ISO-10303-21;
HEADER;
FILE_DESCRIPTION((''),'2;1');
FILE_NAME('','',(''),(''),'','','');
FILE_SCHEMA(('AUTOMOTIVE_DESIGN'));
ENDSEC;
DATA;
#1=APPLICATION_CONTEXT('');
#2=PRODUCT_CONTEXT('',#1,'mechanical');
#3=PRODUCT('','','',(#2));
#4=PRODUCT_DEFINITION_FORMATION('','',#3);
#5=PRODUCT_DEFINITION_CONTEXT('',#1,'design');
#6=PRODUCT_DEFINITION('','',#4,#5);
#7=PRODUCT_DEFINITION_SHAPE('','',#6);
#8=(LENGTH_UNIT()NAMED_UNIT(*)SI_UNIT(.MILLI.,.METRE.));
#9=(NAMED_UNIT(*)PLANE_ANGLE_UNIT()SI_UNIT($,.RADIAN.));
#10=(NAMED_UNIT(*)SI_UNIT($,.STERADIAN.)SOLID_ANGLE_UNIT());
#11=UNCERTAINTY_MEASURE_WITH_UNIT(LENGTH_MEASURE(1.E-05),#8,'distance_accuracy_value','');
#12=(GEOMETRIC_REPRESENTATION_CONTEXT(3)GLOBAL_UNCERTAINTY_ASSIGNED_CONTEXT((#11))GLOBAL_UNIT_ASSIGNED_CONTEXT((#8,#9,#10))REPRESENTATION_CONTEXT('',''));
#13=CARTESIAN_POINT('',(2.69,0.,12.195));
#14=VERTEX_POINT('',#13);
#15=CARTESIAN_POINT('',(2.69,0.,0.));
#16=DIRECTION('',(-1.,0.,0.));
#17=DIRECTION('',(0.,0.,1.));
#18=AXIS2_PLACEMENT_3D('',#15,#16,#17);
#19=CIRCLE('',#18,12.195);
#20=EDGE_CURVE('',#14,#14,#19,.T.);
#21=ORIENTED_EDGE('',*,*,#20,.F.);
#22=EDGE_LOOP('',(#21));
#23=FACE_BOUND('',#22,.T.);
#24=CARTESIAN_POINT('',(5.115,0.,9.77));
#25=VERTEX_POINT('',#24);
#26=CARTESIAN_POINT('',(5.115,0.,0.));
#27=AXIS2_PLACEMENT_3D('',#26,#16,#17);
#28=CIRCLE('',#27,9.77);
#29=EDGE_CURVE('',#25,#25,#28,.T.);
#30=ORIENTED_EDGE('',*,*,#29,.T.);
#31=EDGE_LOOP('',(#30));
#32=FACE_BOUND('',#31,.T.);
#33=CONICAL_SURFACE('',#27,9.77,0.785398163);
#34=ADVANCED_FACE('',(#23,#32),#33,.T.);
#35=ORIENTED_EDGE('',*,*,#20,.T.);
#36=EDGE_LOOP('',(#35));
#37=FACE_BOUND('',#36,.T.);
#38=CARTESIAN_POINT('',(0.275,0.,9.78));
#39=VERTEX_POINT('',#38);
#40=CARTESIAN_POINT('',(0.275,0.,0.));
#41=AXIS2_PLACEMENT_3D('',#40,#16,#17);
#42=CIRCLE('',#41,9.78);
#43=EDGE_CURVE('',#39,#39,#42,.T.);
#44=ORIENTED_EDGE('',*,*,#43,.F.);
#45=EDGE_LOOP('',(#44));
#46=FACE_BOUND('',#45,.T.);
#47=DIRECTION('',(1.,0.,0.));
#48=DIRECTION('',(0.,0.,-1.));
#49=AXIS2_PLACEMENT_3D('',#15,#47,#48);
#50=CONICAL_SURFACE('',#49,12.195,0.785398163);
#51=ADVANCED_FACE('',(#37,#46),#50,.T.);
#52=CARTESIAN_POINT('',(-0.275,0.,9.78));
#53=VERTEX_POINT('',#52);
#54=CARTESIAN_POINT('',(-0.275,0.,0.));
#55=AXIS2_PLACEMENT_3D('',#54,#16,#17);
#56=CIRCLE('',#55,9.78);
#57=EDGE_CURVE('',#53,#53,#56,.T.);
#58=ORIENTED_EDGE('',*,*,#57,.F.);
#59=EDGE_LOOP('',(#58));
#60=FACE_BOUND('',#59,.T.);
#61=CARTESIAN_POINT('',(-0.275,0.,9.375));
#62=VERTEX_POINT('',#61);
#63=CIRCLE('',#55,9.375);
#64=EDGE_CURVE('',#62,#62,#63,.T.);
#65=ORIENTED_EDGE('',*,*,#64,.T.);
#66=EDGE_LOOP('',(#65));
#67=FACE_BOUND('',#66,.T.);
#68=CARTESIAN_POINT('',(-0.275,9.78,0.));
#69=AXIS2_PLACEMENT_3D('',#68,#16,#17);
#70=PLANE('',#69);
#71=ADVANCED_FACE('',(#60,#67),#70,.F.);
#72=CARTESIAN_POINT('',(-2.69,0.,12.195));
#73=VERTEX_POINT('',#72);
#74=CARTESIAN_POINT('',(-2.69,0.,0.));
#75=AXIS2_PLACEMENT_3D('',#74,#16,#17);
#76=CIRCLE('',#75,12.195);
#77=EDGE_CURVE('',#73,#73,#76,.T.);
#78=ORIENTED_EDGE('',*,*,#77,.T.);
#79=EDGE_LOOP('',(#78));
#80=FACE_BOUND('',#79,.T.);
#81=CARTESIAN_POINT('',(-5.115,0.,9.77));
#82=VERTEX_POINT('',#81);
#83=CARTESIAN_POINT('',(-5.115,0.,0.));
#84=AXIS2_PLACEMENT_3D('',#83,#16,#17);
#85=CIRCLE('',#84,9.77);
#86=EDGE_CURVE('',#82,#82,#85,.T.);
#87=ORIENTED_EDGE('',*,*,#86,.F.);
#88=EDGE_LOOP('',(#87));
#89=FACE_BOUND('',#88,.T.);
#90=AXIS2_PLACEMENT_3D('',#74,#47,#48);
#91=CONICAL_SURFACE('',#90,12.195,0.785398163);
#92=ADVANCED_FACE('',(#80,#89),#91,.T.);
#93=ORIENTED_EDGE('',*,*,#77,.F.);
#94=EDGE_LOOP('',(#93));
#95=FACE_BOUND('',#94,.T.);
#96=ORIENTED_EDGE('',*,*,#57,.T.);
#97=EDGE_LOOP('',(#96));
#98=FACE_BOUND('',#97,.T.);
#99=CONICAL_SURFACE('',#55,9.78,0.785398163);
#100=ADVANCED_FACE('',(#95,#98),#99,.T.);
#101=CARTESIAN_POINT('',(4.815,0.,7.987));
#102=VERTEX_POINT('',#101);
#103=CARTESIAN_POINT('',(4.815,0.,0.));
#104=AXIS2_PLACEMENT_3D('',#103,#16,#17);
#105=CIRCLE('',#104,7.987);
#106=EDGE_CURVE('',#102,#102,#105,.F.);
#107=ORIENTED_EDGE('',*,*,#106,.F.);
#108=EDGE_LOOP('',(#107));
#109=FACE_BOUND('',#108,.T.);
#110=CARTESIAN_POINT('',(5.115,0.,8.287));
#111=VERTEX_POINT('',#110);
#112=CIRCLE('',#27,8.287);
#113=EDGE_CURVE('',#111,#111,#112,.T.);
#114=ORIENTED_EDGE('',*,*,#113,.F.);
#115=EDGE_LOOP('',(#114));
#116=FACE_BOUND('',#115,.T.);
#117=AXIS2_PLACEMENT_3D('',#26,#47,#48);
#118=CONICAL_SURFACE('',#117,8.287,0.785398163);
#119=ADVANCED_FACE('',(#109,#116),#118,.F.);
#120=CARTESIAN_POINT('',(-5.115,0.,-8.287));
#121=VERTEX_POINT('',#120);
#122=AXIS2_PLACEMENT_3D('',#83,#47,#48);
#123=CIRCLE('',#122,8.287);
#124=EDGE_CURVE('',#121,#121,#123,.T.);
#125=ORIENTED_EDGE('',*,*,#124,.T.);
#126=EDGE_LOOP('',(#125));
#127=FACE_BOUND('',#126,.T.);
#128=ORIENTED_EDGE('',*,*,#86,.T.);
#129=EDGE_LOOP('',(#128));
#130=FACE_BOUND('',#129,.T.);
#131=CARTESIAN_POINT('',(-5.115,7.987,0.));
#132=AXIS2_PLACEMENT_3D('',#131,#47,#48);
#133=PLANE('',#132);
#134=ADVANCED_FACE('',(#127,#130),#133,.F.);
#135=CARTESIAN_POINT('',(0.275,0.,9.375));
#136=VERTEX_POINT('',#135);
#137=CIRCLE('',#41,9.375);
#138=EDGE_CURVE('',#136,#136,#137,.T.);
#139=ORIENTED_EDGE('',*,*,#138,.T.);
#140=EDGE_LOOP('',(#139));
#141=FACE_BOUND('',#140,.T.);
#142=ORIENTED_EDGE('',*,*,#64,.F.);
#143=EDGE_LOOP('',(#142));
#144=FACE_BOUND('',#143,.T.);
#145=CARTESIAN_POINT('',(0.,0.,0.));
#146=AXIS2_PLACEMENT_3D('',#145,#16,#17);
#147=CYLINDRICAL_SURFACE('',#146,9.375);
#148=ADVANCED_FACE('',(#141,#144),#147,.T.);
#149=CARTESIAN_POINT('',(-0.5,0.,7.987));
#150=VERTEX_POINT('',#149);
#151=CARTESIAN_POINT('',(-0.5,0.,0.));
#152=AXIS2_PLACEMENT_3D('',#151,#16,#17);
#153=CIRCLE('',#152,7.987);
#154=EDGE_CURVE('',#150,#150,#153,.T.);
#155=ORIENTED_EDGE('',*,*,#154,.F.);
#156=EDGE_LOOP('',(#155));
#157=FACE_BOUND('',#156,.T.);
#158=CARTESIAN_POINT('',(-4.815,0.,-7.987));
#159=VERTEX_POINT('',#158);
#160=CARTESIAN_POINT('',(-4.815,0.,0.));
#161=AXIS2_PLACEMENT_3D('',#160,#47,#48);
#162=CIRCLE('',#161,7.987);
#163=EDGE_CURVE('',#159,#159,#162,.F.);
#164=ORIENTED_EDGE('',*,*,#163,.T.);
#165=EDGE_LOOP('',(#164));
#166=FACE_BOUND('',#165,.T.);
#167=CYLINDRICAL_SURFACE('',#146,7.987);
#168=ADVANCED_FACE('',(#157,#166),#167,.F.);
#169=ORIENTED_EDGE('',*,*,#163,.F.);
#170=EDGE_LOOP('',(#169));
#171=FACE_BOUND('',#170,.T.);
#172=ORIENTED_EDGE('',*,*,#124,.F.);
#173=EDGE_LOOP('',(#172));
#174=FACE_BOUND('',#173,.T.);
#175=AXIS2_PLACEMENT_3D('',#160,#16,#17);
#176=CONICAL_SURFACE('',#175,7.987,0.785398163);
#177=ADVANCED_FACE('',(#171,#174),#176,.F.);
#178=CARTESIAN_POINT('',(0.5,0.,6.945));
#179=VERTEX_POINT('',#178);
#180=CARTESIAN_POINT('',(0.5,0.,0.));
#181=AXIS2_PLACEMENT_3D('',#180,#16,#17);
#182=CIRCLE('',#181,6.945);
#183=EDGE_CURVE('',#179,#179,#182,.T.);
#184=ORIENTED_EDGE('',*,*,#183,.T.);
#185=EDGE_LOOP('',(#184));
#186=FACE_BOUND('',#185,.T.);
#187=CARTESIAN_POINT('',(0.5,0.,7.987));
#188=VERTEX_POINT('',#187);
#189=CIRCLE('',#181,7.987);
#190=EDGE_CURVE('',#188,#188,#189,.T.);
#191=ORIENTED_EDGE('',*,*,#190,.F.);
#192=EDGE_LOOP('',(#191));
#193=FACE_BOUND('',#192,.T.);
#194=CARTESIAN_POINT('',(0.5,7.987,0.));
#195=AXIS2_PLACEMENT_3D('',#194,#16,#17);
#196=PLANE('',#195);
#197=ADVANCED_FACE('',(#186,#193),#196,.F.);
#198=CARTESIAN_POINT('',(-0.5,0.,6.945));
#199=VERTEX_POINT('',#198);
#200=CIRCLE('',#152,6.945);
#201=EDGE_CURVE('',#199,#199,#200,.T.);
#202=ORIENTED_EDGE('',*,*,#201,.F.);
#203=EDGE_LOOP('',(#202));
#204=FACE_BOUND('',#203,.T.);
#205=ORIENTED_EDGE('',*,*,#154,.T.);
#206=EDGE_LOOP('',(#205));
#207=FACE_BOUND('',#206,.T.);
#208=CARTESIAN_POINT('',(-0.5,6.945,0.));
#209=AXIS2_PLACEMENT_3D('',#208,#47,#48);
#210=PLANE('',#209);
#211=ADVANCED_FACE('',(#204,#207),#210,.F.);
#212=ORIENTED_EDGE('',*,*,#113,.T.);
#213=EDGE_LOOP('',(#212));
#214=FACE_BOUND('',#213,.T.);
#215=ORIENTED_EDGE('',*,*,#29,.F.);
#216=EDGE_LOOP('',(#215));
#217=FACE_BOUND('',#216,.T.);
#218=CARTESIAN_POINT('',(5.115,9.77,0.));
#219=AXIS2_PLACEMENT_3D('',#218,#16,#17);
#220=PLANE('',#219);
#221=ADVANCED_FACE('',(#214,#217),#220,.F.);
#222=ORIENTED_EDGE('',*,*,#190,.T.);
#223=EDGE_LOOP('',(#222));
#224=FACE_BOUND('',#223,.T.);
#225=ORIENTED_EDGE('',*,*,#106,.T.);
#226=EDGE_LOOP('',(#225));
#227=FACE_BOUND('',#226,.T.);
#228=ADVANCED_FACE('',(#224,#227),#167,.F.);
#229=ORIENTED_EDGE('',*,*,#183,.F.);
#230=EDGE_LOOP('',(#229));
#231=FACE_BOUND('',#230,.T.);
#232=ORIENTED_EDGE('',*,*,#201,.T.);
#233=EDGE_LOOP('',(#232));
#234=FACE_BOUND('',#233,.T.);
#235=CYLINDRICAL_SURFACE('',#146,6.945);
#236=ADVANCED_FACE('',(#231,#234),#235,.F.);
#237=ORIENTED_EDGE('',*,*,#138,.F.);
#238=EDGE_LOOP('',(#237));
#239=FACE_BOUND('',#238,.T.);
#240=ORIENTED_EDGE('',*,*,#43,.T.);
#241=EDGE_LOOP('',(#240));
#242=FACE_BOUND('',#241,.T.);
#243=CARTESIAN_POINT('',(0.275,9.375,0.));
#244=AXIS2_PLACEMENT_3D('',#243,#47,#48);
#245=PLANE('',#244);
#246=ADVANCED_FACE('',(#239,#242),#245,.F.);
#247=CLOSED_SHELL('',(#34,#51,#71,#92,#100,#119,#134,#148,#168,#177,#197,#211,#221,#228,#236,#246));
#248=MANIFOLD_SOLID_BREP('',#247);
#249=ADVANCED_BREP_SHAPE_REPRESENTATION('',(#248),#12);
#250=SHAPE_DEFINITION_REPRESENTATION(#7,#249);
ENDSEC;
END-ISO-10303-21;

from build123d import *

# Parameters (mm, degrees)
CHAMFER1_SIZE = 0.3


with BuildPart() as part:
    # Sketch1 → Revolve1 (revolve)
    with BuildSketch(Plane.XY):
        Polygon((0.5, 6.945), (-0.5, 6.945), (-0.5, 7.987), (-5.115, 7.987), (-5.115, 9.77), (-2.69, 12.195), (-0.275, 9.78), (-0.275, 9.375), (0.275, 9.375), (0.275, 9.78), (2.69, 12.195), (5.115, 9.77), (5.115, 7.987), (0.5, 7.987), align=None)
    revolve(axis=Axis((0, 0, 0), (1, 0, 0)))

    # Chamfer1
    chamfer1_edges = [part.edges().sort_by_distance(p)[0] for p in [
        (-5.115, -7.987, 0),
        (5.115, -7.987, 0),
    ]]
    chamfer(chamfer1_edges, length=CHAMFER1_SIZE)


solid = part.part
